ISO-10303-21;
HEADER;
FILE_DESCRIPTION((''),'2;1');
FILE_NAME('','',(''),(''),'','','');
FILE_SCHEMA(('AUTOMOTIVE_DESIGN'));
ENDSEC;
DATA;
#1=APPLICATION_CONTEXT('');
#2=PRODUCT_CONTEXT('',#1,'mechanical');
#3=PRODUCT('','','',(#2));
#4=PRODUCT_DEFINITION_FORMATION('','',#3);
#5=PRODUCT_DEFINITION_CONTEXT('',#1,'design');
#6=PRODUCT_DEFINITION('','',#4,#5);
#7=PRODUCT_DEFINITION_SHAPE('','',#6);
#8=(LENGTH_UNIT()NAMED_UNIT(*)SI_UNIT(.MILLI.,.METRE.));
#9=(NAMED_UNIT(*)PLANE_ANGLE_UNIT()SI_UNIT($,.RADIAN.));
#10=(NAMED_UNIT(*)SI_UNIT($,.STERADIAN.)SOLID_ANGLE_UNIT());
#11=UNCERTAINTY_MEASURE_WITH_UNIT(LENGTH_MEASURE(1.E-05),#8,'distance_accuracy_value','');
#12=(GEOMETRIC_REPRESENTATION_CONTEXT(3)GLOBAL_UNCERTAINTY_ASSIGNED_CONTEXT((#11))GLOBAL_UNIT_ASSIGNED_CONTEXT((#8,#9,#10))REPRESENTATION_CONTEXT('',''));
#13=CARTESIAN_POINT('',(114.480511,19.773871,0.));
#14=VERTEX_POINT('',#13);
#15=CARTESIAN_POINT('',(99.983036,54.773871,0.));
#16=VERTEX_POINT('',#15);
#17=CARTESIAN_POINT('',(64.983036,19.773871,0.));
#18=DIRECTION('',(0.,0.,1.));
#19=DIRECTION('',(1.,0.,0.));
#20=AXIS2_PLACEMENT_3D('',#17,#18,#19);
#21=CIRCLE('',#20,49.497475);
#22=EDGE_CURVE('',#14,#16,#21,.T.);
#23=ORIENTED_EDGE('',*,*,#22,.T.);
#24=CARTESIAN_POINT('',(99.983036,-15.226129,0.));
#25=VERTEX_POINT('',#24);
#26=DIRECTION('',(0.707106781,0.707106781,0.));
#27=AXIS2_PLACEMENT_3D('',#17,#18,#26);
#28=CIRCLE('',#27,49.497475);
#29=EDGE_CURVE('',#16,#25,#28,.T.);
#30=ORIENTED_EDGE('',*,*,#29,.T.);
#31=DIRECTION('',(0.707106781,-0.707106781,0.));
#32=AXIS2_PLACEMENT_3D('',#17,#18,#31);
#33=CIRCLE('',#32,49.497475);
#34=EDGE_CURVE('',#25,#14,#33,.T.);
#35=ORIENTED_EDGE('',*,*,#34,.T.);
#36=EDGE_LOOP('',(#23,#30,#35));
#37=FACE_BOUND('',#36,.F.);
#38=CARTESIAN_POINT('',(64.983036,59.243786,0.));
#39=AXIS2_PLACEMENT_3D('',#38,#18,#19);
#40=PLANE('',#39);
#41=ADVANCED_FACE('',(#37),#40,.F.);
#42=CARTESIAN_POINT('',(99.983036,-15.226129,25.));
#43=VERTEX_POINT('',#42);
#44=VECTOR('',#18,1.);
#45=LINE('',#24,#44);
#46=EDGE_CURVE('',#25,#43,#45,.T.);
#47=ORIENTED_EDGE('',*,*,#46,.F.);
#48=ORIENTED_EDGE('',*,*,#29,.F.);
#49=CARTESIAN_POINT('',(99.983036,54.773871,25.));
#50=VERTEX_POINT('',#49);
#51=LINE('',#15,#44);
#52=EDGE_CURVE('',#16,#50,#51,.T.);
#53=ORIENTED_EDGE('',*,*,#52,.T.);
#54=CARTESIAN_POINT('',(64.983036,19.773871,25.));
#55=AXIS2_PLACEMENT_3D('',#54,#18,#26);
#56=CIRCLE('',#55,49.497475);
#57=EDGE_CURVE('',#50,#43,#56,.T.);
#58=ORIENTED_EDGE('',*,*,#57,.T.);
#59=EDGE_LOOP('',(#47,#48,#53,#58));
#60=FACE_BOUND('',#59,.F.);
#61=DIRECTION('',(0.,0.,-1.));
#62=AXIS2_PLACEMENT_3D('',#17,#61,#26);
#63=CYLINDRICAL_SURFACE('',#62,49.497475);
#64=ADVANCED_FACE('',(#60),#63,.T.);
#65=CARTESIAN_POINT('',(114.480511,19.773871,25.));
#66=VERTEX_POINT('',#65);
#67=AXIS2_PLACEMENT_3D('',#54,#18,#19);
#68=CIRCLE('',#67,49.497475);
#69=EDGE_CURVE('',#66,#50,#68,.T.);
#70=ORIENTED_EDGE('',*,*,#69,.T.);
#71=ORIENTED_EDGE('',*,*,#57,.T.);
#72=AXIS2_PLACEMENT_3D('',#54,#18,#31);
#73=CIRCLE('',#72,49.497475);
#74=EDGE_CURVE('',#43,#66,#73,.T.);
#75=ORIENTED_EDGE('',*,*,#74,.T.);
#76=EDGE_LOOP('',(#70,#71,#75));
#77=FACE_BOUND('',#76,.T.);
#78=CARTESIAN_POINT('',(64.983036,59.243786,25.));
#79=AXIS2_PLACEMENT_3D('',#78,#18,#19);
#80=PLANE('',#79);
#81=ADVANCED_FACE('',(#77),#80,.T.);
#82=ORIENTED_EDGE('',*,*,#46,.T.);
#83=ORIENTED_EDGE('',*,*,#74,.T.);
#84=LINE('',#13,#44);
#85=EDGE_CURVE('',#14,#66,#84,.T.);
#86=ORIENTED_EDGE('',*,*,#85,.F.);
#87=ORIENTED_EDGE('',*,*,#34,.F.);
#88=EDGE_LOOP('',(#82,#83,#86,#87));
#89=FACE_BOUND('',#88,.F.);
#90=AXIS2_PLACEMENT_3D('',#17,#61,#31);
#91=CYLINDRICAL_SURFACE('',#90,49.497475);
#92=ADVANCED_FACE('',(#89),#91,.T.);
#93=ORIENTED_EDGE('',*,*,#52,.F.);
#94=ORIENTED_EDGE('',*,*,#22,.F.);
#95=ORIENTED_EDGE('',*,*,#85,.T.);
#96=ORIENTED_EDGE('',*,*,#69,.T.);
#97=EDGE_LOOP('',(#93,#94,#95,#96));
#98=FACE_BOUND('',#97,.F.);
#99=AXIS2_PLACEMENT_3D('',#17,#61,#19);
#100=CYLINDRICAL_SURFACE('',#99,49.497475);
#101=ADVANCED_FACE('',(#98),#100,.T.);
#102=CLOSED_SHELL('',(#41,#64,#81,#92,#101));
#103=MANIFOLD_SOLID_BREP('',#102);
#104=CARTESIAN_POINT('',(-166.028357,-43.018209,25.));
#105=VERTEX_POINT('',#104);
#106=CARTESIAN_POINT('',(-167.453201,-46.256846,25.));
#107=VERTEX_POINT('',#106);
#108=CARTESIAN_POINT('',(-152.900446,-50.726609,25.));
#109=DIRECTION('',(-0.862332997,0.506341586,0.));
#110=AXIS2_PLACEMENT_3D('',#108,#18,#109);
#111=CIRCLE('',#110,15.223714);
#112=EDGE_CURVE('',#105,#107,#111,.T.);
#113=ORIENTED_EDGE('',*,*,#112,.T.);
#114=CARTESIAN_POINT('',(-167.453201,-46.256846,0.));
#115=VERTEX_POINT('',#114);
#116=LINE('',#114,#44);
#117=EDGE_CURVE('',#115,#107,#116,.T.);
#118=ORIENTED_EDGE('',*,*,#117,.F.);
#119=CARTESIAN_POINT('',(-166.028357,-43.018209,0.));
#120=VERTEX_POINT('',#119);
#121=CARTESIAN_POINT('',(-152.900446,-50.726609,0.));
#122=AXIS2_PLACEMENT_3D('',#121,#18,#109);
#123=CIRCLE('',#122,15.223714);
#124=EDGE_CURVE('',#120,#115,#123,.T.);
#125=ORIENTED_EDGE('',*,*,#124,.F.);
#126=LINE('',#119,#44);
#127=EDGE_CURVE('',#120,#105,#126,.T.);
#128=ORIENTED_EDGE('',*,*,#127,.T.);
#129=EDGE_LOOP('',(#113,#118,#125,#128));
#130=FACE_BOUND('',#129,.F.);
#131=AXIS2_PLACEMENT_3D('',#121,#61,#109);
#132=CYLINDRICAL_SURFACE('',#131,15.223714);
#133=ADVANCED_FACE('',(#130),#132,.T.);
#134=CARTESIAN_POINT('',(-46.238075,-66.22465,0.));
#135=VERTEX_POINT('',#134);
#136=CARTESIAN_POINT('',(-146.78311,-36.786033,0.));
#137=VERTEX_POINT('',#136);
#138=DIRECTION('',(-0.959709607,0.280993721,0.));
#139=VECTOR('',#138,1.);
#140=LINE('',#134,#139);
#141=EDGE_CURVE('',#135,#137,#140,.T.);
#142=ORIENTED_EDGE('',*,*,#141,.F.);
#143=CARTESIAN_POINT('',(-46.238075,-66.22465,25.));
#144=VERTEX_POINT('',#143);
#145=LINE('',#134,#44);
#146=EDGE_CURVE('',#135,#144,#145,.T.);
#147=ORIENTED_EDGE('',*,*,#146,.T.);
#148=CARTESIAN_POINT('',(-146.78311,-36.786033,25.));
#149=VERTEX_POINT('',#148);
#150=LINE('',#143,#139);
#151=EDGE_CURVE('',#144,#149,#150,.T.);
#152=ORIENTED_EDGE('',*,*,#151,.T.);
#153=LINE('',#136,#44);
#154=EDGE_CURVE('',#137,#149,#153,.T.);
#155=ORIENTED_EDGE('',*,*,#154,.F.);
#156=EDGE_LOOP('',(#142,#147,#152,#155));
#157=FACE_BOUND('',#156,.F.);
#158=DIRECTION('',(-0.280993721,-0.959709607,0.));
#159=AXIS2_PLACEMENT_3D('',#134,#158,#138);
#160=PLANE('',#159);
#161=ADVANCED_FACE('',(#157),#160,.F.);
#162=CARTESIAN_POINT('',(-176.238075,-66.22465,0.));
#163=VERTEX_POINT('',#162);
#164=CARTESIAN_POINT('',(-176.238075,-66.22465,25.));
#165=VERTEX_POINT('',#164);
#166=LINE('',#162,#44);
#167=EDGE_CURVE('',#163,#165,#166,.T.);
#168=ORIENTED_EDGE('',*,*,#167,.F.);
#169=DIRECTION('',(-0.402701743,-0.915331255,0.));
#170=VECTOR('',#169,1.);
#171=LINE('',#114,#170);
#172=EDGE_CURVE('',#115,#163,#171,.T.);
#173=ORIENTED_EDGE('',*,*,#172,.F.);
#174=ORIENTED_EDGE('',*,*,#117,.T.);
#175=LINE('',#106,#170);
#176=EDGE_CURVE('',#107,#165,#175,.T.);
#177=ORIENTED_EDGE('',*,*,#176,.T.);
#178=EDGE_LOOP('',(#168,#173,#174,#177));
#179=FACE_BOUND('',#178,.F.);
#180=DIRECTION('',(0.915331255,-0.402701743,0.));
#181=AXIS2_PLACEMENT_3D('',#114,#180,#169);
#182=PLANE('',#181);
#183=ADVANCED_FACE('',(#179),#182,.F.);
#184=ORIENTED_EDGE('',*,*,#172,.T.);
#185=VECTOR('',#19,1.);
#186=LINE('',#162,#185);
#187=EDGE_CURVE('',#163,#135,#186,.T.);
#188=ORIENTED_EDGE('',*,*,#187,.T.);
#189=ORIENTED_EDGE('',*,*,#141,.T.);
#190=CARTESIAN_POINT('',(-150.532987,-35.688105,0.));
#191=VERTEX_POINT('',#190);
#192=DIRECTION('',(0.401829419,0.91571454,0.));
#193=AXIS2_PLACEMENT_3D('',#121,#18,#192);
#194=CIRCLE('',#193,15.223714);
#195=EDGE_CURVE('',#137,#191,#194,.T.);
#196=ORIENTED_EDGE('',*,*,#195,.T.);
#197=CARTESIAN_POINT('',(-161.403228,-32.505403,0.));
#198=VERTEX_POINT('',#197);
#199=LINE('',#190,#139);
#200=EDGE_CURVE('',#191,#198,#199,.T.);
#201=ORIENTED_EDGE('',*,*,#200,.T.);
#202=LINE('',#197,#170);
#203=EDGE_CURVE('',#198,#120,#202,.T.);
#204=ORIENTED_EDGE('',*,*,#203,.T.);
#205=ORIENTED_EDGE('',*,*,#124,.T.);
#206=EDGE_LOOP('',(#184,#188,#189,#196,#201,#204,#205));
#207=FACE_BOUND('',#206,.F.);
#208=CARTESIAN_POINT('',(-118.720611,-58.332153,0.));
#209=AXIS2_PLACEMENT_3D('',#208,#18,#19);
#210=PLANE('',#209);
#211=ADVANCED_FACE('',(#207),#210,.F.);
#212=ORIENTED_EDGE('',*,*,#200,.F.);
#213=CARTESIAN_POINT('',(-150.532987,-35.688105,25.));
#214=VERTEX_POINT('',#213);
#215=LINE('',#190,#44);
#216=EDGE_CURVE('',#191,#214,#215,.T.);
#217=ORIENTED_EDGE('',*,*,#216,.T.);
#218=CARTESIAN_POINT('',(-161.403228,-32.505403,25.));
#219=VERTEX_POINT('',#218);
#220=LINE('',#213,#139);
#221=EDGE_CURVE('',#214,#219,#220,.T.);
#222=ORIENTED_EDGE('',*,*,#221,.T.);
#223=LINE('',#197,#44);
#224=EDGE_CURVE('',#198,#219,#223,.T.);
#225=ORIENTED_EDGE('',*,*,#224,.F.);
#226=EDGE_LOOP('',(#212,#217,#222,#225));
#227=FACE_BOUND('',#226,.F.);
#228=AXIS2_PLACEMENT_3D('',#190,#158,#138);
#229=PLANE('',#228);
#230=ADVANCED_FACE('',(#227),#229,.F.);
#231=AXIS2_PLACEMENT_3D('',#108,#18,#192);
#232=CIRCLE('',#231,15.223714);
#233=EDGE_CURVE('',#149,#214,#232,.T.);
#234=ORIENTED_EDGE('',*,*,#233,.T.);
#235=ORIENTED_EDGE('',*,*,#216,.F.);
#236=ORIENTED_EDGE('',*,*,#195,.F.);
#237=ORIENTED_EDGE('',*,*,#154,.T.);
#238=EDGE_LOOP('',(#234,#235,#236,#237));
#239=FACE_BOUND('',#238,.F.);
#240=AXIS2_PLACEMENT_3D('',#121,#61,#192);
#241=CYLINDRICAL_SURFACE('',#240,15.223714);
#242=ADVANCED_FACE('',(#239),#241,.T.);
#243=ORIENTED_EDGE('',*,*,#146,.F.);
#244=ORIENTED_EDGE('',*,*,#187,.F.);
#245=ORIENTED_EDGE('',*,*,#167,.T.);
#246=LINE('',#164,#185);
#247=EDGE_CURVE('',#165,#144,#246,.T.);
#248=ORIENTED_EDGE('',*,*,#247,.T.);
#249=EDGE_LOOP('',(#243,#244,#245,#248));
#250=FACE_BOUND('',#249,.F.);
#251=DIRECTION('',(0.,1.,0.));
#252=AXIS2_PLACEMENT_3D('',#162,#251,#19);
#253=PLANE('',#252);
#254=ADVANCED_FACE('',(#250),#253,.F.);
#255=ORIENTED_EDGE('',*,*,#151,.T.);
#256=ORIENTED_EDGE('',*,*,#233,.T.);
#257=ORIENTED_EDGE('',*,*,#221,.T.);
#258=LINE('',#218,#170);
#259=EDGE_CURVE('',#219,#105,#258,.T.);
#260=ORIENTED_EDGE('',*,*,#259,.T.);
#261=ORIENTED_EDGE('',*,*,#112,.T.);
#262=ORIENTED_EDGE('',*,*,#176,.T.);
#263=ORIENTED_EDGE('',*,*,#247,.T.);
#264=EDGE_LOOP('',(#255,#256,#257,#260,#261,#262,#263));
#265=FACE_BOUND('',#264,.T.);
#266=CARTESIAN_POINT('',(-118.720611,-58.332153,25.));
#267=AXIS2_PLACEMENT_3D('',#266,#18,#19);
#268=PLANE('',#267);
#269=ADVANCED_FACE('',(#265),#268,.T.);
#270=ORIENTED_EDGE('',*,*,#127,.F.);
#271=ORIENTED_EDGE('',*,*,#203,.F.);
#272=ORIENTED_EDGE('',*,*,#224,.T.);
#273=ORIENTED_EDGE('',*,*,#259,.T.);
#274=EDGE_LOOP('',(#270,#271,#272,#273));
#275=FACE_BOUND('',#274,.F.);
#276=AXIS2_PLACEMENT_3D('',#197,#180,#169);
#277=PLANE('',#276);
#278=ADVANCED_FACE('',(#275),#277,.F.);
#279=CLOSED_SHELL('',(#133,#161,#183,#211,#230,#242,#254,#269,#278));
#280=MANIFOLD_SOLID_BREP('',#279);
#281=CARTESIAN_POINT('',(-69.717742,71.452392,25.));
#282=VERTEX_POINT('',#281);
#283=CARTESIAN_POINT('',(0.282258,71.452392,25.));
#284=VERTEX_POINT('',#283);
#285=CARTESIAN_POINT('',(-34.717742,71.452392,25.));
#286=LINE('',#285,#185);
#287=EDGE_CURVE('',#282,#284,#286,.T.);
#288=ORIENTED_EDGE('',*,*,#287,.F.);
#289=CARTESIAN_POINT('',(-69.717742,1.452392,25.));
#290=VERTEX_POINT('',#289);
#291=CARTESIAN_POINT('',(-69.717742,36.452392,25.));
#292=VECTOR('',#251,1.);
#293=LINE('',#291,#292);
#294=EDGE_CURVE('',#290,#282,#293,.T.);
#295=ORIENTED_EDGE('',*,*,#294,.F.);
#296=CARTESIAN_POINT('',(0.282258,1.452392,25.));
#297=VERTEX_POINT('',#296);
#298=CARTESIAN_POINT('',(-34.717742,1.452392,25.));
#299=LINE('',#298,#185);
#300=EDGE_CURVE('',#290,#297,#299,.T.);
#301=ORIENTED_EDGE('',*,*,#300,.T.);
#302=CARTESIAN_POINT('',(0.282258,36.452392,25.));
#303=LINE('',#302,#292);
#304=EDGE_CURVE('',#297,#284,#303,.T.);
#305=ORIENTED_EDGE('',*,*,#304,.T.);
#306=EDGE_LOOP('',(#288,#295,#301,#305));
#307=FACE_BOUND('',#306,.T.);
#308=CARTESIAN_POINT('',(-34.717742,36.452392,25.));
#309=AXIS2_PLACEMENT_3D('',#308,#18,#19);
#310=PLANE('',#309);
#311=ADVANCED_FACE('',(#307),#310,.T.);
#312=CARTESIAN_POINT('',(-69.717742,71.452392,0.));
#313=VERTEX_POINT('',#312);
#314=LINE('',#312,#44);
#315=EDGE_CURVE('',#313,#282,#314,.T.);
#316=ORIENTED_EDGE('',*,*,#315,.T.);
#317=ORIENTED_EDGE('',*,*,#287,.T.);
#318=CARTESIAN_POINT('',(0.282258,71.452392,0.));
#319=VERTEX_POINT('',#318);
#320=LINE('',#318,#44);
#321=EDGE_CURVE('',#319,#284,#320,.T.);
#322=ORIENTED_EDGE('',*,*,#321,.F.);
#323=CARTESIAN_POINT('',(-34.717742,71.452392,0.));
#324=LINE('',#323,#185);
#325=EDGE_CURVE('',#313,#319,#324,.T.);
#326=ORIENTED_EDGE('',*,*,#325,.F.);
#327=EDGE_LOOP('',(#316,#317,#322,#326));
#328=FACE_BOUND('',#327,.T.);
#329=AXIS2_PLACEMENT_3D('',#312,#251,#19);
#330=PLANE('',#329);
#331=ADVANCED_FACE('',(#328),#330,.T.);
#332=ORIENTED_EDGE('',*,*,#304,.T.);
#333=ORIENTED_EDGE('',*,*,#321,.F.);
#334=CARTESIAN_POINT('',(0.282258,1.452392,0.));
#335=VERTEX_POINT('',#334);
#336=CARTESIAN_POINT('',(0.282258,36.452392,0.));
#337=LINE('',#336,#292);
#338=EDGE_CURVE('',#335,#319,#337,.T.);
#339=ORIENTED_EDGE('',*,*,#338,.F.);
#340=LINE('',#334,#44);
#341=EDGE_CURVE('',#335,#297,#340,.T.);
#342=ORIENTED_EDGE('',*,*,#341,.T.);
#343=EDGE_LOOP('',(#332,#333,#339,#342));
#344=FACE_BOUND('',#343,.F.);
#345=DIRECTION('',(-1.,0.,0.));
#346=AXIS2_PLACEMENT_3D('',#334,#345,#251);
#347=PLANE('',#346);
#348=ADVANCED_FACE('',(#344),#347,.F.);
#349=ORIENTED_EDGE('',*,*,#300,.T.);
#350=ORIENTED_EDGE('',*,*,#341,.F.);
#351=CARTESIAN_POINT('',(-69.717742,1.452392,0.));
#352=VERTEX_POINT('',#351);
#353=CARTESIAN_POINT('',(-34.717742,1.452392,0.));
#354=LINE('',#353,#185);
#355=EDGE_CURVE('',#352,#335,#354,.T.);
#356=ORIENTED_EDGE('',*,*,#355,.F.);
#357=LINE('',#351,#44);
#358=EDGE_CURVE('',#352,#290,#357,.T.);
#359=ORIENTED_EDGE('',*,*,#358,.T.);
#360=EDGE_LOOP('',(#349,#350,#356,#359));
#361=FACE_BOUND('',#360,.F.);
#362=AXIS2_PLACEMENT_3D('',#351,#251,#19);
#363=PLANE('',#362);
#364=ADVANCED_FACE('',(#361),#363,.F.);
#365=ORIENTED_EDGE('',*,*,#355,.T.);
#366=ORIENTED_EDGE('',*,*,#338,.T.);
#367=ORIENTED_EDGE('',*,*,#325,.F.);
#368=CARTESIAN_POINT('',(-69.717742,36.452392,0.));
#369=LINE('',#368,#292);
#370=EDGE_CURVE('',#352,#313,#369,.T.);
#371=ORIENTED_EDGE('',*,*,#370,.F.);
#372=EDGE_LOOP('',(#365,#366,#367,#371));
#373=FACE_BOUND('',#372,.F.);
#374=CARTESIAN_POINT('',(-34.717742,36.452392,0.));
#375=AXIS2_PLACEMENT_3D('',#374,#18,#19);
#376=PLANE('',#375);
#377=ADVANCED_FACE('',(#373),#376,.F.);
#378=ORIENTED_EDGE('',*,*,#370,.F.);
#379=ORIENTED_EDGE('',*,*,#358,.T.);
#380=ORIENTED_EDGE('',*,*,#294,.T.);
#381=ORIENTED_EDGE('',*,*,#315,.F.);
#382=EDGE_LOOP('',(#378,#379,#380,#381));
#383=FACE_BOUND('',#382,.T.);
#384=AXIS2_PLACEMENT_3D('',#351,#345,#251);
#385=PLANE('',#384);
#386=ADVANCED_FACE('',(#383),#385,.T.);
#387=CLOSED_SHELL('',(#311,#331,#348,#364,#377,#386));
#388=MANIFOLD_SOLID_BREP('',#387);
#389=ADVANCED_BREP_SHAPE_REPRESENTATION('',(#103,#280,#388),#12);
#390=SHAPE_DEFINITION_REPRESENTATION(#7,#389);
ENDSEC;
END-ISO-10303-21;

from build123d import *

# Parameters (mm, degrees)
F0_W     = 70
F0_H     = 70
F0_R     = 34.6665784116
F1_DEPTH = 25


with BuildPart() as f1:
    # F0 (on Top) → F1 (new body)
    with BuildSketch(Plane.XY):
        with Locations((-34.7177423537, 36.4523915446)):
            Rectangle(F0_W, F0_H)
        with Locations((-34.7177423537, 36.4523915446)):
            Circle(F0_R, mode=Mode.SUBTRACT)
        with Locations((-34.7177423537, 36.4523915446)):
            Circle(F0_R)
    extrude(amount=F1_DEPTH)


with BuildPart() as f1b:
    # F0 (on Top) → F1, piece 2 (new body)
    with BuildSketch(Plane.XY):
        with BuildLine():
            ThreePointArc((99.9830362201, 54.7738714889), (64.9830362201, 69.2713461719), (29.9830362201, 54.7738714889))
            Line((29.9830362201, 54.7738714889), (99.9830362201, 54.7738714889))
        make_face()
        with Locations((64.9830362201, 19.7738714889)):
            Rectangle(F0_W, F0_H)
        with BuildLine():
            Line((29.9830362201, -15.2261285111), (29.9830362201, 54.7738714889))
            ThreePointArc((29.9830362201, 54.7738714889), (15.485561537, 19.7738714889), (29.9830362201, -15.2261285111))
        make_face()
        with BuildLine():
            ThreePointArc((114.4805109031, 19.7738714889), (110.7127399907, 38.715734994), (99.9830362201, 54.7738714889))
            Line((99.9830362201, 54.7738714889), (99.9830362201, -15.2261285111))
            ThreePointArc((99.9830362201, -15.2261285111), (110.7127399907, 0.8320079838), (114.4805109031, 19.7738714889))
        make_face()
        with BuildLine():
            Line((99.9830362201, -15.2261285111), (29.9830362201, -15.2261285111))
            ThreePointArc((29.9830362201, -15.2261285111), (64.9830362201, -29.7236031942), (99.9830362201, -15.2261285111))
        make_face()
    extrude(amount=F1_DEPTH)


with BuildPart() as f1c:
    # F0 (on Top) → F1, piece 3 (new body)
    with BuildSketch(Plane.XY):
        with BuildLine():
            Line((-167.4532014709, -46.2568461603), (-176.2380748987, -66.2246495485))
            Line((-176.2380748987, -66.2246495485), (-46.2380748987, -66.2246495485))
            Line((-46.2380748987, -66.2246495485), (-146.7831098452, -36.7860326256))
            ThreePointArc((-146.7831098452, -36.7860326256), (-140.1550537688, -42.4009590309), (-137.6767319393, -50.7266089635))
            ThreePointArc((-137.6767319393, -50.7266089635), (-155.1603666553, -65.7816489608), (-167.4532014709, -46.2568461603))
        make_face()
        with BuildLine():
            ThreePointArc((-166.0283570259, -43.0182094321), (-166.8351873466, -44.5959927722), (-167.4532014709, -46.2568461603))
            Line((-167.4532014709, -46.2568461603), (-166.0283570259, -43.0182094321))
        make_face()
        with BuildLine():
            Line((-166.0283570259, -43.0182094321), (-167.4532014709, -46.2568461603))
            ThreePointArc((-167.4532014709, -46.2568461603), (-155.1603666553, -65.7816489608), (-137.6767319393, -50.7266089635))
            ThreePointArc((-137.6767319393, -50.7266089635), (-140.1550537688, -42.4009590309), (-146.7831098452, -36.7860326256))
            Line((-146.7831098452, -36.7860326256), (-150.5329868093, -35.6881048013))
            ThreePointArc((-150.5329868093, -35.6881048013), (-159.4103952668, -36.9649945434), (-166.0283570259, -43.0182094321))
        make_face()
        with BuildLine():
            Line((-150.5329868093, -35.6881048013), (-146.7831098452, -36.7860326256))
            ThreePointArc((-146.7831098452, -36.7860326256), (-148.6226779618, -36.1162643074), (-150.5329868093, -35.6881048013))
        make_face()
        with BuildLine():
            Line((-161.403227687, -32.5054030675), (-166.0283570259, -43.0182094321))
            ThreePointArc((-166.0283570259, -43.0182094321), (-159.4103952668, -36.9649945434), (-150.5329868093, -35.6881048013))
            Line((-150.5329868093, -35.6881048013), (-161.403227687, -32.5054030675))
        make_face()
    extrude(amount=F1_DEPTH)


solid = Compound([f1.part, f1b.part, f1c.part])
